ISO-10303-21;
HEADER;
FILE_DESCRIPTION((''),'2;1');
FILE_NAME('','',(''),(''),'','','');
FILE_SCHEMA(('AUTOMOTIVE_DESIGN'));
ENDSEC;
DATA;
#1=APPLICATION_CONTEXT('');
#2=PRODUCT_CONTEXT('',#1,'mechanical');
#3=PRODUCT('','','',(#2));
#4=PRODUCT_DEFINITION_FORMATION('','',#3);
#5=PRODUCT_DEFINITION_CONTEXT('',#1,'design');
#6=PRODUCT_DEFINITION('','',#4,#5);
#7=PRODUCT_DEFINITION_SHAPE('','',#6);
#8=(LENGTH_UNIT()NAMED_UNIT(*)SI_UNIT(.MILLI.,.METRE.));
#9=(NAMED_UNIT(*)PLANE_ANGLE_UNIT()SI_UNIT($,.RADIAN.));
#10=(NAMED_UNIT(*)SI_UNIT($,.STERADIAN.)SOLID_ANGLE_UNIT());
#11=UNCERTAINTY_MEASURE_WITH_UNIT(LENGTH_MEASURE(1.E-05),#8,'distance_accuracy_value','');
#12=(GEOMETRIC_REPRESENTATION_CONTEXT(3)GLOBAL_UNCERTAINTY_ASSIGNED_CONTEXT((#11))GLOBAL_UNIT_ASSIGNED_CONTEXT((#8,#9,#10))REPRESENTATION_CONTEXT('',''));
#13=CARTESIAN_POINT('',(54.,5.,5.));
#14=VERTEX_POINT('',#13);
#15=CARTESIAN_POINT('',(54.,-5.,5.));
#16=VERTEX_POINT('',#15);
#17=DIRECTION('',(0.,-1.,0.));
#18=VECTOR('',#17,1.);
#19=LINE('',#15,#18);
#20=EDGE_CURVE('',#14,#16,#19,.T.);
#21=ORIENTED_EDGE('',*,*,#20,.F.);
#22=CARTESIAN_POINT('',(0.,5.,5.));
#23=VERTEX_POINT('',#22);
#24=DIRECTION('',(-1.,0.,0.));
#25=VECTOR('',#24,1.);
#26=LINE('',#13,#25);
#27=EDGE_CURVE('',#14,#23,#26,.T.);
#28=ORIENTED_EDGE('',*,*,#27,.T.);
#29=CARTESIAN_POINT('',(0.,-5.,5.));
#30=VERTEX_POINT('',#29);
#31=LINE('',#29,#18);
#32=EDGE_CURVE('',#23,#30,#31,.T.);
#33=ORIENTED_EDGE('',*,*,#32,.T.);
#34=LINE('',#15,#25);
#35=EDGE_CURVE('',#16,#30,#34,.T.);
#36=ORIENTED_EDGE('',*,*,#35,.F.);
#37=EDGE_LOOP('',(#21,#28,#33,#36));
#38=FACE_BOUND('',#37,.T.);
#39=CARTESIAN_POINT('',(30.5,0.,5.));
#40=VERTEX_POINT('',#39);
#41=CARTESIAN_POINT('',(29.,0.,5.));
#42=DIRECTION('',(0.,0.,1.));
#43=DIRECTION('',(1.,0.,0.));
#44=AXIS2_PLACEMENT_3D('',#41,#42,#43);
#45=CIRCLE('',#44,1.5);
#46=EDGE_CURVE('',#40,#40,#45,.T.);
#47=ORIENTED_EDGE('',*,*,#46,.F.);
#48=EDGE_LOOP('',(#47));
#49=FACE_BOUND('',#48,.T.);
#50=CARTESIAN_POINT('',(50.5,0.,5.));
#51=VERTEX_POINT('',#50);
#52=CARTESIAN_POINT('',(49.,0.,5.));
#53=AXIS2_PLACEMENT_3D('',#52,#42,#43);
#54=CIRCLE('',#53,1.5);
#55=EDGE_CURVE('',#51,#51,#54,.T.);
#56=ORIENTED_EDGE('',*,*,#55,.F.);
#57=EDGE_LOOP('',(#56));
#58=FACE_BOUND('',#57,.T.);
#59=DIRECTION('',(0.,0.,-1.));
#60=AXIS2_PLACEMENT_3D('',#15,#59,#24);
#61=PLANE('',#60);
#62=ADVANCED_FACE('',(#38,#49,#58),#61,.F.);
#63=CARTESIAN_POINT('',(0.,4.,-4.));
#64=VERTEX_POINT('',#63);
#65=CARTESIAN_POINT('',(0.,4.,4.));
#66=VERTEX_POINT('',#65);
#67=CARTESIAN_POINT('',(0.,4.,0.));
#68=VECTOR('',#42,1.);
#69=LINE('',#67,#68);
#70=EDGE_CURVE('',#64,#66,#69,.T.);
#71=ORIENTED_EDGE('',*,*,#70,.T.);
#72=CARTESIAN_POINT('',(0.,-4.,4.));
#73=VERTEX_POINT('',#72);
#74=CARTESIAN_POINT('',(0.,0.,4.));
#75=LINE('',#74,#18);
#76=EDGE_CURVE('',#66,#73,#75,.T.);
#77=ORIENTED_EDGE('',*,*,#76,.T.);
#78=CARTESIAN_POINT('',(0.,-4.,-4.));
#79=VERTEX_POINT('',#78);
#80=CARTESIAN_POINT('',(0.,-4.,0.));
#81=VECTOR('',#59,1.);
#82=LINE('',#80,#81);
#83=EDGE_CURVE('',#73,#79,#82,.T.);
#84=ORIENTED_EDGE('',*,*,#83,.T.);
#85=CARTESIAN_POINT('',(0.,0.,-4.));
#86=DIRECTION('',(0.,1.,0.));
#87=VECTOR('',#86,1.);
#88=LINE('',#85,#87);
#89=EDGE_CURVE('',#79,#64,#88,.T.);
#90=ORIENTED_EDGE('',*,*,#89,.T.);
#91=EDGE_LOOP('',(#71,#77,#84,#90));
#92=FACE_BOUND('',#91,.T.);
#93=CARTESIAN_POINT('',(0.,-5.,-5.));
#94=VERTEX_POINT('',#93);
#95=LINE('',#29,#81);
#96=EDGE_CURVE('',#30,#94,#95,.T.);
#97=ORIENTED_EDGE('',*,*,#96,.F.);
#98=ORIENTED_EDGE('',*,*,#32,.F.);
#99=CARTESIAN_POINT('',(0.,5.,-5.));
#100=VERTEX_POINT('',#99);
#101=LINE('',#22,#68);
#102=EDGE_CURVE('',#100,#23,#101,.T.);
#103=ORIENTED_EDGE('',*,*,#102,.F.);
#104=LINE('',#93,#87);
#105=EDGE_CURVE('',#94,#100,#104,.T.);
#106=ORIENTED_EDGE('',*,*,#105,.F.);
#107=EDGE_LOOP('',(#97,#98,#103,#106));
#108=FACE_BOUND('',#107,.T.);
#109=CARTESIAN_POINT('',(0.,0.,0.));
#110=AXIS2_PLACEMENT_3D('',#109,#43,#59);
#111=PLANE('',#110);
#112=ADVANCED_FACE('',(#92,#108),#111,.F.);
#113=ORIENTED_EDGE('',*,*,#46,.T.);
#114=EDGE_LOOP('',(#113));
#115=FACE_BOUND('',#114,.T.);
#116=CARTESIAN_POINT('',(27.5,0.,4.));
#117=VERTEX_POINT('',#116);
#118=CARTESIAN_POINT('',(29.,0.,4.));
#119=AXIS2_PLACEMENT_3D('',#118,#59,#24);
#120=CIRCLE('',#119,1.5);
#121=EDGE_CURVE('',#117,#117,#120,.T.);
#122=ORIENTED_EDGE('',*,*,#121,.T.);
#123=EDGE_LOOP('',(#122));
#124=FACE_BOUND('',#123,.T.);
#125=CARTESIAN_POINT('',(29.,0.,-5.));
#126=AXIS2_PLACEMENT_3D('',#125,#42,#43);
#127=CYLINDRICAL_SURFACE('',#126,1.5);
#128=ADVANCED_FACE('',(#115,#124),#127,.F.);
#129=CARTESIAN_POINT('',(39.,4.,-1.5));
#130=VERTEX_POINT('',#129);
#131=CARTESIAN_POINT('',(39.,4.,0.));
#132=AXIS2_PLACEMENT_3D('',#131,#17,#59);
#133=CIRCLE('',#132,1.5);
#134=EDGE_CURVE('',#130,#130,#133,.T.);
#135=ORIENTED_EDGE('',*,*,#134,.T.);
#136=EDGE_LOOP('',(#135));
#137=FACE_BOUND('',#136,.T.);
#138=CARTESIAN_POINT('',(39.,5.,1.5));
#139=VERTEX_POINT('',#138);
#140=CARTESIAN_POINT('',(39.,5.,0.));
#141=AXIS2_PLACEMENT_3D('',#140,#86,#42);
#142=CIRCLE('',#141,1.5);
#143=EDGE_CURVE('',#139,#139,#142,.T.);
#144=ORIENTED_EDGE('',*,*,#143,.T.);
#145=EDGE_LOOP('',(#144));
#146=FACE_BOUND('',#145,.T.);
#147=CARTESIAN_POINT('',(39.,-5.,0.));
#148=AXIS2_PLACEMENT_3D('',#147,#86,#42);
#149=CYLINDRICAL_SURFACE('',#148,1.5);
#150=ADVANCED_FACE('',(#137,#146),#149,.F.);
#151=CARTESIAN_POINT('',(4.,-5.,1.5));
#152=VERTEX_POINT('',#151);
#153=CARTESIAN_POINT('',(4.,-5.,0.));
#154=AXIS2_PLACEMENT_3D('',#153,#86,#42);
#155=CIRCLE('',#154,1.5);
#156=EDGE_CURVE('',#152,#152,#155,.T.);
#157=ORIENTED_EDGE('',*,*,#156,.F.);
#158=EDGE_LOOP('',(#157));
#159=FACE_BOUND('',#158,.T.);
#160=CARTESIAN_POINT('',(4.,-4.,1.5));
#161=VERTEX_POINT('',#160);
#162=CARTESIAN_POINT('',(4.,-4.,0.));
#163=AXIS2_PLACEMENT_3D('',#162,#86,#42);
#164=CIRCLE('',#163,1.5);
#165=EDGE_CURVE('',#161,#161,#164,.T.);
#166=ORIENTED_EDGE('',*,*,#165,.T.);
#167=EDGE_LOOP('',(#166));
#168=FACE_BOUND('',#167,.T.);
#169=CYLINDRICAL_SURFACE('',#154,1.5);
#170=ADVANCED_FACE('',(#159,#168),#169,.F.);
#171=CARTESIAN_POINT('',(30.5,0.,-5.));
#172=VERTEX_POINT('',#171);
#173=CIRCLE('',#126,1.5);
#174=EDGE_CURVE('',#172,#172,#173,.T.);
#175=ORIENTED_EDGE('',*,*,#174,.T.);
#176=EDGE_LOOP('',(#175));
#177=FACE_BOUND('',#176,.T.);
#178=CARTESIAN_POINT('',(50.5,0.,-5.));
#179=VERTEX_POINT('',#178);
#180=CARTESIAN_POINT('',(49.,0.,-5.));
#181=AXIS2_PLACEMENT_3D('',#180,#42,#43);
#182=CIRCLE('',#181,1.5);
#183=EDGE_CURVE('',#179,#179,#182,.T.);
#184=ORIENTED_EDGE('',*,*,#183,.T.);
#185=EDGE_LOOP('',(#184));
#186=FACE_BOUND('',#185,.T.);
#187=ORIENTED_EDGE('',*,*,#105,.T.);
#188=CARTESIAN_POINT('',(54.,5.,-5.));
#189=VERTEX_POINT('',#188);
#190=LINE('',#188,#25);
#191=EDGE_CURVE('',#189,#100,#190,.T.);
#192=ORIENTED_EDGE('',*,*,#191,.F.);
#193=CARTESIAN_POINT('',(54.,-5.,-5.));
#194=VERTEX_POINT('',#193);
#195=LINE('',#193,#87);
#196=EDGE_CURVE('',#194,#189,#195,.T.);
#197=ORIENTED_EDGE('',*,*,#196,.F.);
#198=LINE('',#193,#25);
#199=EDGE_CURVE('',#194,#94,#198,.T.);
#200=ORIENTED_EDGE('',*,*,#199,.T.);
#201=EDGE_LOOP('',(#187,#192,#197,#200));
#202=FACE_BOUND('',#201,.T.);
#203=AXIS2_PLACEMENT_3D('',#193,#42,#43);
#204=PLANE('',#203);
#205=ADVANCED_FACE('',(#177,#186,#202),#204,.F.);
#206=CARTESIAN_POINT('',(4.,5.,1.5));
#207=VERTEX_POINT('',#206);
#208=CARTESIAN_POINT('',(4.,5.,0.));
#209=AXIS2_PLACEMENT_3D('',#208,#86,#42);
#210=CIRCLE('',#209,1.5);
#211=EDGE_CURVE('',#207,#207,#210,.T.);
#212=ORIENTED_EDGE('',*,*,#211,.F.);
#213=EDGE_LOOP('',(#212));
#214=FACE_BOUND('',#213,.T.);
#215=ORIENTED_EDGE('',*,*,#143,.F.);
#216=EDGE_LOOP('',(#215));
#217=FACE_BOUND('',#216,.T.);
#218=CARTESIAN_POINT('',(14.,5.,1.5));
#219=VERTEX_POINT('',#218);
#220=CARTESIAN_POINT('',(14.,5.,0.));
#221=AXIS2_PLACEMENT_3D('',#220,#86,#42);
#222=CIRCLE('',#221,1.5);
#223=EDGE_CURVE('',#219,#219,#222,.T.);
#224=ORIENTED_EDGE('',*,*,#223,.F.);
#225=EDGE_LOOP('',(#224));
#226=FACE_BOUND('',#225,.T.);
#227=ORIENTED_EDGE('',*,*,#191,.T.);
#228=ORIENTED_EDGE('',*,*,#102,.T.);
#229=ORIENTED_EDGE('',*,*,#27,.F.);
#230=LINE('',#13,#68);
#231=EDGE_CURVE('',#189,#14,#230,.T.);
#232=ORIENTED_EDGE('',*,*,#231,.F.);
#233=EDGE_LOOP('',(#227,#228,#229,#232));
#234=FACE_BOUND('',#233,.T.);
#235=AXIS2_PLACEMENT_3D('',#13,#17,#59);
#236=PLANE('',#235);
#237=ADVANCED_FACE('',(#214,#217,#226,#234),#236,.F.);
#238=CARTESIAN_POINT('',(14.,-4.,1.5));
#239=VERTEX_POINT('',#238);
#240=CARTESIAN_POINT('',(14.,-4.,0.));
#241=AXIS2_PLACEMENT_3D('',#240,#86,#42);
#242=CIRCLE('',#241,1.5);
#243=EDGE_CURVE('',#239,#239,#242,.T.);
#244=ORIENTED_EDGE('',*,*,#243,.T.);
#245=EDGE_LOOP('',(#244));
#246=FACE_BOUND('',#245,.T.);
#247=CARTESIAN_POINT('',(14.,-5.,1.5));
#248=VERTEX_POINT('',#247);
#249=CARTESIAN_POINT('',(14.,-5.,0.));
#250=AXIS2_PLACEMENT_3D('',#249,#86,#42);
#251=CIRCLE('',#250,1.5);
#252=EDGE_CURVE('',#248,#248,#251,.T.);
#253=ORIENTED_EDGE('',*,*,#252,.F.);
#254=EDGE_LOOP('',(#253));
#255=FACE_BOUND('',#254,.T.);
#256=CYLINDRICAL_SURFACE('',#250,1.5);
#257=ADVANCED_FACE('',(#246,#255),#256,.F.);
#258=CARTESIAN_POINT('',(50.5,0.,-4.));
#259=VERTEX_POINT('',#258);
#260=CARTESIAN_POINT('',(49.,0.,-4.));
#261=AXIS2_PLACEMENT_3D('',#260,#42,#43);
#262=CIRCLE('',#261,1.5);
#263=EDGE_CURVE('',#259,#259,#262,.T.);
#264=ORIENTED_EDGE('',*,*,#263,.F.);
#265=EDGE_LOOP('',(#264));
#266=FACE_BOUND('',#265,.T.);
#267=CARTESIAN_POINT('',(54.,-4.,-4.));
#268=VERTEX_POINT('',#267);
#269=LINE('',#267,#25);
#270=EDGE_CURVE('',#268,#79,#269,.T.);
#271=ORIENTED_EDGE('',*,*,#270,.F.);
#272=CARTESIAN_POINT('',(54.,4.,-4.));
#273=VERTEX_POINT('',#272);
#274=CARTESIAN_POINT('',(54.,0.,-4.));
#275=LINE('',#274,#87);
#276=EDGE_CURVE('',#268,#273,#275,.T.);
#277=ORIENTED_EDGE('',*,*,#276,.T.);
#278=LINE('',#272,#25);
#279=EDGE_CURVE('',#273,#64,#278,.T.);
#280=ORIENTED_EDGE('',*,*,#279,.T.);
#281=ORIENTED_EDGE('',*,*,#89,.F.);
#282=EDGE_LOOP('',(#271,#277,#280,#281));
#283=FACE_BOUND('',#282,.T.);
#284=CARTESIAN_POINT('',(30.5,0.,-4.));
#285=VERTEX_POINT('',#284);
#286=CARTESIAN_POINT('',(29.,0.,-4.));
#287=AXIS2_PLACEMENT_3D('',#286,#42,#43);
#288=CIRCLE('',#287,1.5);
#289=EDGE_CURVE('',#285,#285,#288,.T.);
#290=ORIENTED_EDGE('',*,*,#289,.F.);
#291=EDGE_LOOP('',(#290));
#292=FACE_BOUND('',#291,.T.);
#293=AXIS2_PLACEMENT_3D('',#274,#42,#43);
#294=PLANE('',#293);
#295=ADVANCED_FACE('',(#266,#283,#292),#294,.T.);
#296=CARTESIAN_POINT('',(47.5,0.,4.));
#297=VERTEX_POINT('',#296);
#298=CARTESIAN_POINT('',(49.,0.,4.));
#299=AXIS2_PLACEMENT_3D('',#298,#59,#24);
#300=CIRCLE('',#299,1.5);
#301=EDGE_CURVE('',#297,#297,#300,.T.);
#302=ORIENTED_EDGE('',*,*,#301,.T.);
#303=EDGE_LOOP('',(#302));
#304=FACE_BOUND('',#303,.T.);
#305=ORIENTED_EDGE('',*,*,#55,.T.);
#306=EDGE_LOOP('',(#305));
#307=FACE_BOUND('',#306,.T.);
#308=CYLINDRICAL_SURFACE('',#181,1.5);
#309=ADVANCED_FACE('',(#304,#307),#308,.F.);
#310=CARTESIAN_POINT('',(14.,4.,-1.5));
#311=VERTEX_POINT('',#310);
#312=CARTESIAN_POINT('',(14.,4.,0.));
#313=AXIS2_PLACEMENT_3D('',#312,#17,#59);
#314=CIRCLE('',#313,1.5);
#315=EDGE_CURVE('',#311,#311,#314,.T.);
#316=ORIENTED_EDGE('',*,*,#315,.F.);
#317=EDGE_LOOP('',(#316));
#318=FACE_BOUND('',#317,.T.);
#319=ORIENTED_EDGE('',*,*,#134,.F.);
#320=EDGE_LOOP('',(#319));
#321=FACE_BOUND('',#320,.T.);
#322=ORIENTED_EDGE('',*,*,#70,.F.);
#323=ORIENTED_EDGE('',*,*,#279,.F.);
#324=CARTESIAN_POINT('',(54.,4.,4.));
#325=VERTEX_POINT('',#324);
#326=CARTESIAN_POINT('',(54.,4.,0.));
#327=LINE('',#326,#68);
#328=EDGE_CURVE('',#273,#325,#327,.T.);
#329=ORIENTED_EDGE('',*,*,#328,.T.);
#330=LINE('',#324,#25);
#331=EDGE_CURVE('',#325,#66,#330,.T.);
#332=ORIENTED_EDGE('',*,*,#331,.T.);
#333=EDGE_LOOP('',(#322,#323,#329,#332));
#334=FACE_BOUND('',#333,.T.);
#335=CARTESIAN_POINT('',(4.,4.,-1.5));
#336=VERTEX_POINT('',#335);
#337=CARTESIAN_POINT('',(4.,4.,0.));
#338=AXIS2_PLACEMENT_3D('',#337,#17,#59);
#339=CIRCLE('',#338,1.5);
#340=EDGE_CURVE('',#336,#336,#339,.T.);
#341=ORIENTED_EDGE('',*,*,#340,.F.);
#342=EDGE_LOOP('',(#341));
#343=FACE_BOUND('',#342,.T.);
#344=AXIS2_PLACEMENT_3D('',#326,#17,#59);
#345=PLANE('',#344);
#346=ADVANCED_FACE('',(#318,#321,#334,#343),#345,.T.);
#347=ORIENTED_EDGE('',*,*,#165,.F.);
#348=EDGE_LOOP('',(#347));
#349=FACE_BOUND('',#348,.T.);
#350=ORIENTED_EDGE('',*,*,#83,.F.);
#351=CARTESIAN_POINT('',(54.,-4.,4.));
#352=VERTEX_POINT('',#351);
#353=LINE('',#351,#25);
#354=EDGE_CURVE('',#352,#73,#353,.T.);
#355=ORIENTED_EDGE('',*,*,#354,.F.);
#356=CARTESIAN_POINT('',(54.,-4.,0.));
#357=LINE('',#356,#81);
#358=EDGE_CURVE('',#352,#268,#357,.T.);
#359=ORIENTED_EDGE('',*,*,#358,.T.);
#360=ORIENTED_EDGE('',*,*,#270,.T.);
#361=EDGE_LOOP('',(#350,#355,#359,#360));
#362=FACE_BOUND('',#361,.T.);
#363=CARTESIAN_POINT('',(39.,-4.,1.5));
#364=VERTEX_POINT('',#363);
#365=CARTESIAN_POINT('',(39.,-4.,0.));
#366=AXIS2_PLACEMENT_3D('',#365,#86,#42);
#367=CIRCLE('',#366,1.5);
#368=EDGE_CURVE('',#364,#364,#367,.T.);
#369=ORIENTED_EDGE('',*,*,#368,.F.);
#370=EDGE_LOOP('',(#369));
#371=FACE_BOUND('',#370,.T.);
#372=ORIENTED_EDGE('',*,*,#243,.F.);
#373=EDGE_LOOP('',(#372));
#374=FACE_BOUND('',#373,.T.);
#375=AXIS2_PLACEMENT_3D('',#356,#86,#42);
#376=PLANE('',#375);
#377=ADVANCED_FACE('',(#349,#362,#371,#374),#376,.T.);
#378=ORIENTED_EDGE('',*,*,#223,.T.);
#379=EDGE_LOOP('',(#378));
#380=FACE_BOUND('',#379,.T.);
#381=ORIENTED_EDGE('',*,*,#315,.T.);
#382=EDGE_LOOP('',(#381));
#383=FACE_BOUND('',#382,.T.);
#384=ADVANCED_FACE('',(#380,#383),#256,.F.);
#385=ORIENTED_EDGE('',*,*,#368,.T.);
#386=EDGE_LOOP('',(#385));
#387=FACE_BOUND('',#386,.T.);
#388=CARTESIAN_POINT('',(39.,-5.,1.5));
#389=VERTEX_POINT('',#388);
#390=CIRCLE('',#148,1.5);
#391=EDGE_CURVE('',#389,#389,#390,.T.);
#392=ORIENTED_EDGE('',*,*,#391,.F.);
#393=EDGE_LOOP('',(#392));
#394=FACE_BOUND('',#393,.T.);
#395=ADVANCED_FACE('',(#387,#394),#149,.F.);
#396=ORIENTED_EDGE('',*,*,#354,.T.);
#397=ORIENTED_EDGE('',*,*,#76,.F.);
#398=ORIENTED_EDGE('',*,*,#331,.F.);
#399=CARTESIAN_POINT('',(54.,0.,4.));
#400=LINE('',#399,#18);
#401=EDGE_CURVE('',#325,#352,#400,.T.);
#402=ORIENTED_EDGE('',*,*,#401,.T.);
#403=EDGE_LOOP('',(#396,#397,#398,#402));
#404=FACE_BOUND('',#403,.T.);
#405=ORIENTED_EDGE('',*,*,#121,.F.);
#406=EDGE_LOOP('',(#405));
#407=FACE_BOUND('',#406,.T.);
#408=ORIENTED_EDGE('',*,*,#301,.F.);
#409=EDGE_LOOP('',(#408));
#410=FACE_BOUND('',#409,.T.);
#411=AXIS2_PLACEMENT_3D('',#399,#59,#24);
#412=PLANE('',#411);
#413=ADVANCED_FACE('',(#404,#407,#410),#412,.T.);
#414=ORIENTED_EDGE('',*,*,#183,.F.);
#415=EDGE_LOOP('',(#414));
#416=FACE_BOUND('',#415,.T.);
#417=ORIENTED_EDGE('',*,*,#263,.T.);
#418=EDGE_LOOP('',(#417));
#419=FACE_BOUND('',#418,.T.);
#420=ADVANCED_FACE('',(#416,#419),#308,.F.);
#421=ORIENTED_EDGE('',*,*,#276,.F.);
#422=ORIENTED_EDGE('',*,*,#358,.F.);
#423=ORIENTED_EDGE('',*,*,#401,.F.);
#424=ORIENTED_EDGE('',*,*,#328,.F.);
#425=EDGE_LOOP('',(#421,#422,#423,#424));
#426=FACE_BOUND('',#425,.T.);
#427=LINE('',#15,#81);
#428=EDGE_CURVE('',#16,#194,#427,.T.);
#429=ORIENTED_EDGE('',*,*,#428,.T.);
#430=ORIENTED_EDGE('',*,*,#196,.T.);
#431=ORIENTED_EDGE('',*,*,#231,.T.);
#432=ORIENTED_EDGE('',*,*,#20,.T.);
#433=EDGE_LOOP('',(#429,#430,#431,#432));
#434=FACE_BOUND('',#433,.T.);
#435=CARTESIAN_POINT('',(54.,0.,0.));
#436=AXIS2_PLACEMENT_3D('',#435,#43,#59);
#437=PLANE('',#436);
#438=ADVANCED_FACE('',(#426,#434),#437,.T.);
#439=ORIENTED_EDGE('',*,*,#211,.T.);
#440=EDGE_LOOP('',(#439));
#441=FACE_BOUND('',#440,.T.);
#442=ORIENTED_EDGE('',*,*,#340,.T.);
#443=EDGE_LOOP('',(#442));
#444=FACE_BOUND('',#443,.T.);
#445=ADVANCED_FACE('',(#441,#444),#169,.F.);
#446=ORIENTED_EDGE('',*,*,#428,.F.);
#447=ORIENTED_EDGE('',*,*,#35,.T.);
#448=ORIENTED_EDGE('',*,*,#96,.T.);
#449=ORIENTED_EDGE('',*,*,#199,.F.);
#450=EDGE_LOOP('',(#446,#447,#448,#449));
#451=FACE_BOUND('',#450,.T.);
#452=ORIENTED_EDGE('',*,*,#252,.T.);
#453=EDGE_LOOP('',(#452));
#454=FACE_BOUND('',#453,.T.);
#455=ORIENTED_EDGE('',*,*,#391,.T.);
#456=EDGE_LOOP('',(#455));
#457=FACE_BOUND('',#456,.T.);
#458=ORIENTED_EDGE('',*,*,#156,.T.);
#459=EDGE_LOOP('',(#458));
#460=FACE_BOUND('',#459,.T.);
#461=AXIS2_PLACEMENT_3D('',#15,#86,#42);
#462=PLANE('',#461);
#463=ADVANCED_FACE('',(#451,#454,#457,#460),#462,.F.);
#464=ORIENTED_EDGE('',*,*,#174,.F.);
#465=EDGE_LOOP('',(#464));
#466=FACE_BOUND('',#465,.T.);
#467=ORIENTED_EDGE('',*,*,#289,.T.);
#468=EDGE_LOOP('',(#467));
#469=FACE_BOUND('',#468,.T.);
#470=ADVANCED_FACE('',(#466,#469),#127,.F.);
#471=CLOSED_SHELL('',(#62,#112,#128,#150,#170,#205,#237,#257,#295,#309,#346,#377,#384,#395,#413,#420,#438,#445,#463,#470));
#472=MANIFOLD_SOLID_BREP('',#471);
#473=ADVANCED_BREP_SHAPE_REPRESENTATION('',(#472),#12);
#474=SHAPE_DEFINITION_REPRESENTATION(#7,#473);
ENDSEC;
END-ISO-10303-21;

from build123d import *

# Parameters (mm, degrees)
SKETCH_1_W          = 10
SKETCH_1_H          = 10
SKETCH_1_W_2        = 8
SKETCH_1_H_2        = 8
EXTRUDE_1_DEPTH     = 54
SKETCH_2_R          = 1.5
CUT_EXTRUDE_1_DEPTH = 56.145262716
SKETCH_3_R          = 1.5
CUT_EXTRUDE_2_DEPTH = 56.145262716


with BuildPart() as part:
    # ｽｹｯﾁ1 → 押し出し-薄板1 (new body)
    with BuildSketch(Plane(origin=(0, 0, 0), x_dir=(0, 0, -1), z_dir=(1, 0, 0))):
        Rectangle(SKETCH_1_W, SKETCH_1_H)
        Rectangle(SKETCH_1_W_2, SKETCH_1_H_2, mode=Mode.SUBTRACT)
    extrude(amount=EXTRUDE_1_DEPTH)

    # ｽｹｯﾁ2 → ｶｯﾄ - 押し出し1 (cut, through all)
    with BuildSketch(Plane(origin=(0, 5, 0), x_dir=(1, 0, 0), z_dir=(0, 1, 0))):
        with Locations(Location((4, 0, 0), (0, 0, 270))):
            Circle(SKETCH_2_R)
        with Locations(Location((14, 0, 0), (0, 0, 270))):
            Circle(SKETCH_2_R)
        with Locations(Location((39, 0, 0), (0, 0, 270))):
            Circle(SKETCH_2_R)
    extrude(amount=-CUT_EXTRUDE_1_DEPTH, mode=Mode.SUBTRACT)

    # ｽｹｯﾁ3 → ｶｯﾄ - 押し出し2 (cut, through all)
    with BuildSketch(Plane.XY.offset(5)):
        with Locations((49, 0)):
            Circle(SKETCH_3_R)
        with Locations((29, 0)):
            Circle(SKETCH_3_R)
    extrude(amount=-CUT_EXTRUDE_2_DEPTH, mode=Mode.SUBTRACT)


solid = part.part
